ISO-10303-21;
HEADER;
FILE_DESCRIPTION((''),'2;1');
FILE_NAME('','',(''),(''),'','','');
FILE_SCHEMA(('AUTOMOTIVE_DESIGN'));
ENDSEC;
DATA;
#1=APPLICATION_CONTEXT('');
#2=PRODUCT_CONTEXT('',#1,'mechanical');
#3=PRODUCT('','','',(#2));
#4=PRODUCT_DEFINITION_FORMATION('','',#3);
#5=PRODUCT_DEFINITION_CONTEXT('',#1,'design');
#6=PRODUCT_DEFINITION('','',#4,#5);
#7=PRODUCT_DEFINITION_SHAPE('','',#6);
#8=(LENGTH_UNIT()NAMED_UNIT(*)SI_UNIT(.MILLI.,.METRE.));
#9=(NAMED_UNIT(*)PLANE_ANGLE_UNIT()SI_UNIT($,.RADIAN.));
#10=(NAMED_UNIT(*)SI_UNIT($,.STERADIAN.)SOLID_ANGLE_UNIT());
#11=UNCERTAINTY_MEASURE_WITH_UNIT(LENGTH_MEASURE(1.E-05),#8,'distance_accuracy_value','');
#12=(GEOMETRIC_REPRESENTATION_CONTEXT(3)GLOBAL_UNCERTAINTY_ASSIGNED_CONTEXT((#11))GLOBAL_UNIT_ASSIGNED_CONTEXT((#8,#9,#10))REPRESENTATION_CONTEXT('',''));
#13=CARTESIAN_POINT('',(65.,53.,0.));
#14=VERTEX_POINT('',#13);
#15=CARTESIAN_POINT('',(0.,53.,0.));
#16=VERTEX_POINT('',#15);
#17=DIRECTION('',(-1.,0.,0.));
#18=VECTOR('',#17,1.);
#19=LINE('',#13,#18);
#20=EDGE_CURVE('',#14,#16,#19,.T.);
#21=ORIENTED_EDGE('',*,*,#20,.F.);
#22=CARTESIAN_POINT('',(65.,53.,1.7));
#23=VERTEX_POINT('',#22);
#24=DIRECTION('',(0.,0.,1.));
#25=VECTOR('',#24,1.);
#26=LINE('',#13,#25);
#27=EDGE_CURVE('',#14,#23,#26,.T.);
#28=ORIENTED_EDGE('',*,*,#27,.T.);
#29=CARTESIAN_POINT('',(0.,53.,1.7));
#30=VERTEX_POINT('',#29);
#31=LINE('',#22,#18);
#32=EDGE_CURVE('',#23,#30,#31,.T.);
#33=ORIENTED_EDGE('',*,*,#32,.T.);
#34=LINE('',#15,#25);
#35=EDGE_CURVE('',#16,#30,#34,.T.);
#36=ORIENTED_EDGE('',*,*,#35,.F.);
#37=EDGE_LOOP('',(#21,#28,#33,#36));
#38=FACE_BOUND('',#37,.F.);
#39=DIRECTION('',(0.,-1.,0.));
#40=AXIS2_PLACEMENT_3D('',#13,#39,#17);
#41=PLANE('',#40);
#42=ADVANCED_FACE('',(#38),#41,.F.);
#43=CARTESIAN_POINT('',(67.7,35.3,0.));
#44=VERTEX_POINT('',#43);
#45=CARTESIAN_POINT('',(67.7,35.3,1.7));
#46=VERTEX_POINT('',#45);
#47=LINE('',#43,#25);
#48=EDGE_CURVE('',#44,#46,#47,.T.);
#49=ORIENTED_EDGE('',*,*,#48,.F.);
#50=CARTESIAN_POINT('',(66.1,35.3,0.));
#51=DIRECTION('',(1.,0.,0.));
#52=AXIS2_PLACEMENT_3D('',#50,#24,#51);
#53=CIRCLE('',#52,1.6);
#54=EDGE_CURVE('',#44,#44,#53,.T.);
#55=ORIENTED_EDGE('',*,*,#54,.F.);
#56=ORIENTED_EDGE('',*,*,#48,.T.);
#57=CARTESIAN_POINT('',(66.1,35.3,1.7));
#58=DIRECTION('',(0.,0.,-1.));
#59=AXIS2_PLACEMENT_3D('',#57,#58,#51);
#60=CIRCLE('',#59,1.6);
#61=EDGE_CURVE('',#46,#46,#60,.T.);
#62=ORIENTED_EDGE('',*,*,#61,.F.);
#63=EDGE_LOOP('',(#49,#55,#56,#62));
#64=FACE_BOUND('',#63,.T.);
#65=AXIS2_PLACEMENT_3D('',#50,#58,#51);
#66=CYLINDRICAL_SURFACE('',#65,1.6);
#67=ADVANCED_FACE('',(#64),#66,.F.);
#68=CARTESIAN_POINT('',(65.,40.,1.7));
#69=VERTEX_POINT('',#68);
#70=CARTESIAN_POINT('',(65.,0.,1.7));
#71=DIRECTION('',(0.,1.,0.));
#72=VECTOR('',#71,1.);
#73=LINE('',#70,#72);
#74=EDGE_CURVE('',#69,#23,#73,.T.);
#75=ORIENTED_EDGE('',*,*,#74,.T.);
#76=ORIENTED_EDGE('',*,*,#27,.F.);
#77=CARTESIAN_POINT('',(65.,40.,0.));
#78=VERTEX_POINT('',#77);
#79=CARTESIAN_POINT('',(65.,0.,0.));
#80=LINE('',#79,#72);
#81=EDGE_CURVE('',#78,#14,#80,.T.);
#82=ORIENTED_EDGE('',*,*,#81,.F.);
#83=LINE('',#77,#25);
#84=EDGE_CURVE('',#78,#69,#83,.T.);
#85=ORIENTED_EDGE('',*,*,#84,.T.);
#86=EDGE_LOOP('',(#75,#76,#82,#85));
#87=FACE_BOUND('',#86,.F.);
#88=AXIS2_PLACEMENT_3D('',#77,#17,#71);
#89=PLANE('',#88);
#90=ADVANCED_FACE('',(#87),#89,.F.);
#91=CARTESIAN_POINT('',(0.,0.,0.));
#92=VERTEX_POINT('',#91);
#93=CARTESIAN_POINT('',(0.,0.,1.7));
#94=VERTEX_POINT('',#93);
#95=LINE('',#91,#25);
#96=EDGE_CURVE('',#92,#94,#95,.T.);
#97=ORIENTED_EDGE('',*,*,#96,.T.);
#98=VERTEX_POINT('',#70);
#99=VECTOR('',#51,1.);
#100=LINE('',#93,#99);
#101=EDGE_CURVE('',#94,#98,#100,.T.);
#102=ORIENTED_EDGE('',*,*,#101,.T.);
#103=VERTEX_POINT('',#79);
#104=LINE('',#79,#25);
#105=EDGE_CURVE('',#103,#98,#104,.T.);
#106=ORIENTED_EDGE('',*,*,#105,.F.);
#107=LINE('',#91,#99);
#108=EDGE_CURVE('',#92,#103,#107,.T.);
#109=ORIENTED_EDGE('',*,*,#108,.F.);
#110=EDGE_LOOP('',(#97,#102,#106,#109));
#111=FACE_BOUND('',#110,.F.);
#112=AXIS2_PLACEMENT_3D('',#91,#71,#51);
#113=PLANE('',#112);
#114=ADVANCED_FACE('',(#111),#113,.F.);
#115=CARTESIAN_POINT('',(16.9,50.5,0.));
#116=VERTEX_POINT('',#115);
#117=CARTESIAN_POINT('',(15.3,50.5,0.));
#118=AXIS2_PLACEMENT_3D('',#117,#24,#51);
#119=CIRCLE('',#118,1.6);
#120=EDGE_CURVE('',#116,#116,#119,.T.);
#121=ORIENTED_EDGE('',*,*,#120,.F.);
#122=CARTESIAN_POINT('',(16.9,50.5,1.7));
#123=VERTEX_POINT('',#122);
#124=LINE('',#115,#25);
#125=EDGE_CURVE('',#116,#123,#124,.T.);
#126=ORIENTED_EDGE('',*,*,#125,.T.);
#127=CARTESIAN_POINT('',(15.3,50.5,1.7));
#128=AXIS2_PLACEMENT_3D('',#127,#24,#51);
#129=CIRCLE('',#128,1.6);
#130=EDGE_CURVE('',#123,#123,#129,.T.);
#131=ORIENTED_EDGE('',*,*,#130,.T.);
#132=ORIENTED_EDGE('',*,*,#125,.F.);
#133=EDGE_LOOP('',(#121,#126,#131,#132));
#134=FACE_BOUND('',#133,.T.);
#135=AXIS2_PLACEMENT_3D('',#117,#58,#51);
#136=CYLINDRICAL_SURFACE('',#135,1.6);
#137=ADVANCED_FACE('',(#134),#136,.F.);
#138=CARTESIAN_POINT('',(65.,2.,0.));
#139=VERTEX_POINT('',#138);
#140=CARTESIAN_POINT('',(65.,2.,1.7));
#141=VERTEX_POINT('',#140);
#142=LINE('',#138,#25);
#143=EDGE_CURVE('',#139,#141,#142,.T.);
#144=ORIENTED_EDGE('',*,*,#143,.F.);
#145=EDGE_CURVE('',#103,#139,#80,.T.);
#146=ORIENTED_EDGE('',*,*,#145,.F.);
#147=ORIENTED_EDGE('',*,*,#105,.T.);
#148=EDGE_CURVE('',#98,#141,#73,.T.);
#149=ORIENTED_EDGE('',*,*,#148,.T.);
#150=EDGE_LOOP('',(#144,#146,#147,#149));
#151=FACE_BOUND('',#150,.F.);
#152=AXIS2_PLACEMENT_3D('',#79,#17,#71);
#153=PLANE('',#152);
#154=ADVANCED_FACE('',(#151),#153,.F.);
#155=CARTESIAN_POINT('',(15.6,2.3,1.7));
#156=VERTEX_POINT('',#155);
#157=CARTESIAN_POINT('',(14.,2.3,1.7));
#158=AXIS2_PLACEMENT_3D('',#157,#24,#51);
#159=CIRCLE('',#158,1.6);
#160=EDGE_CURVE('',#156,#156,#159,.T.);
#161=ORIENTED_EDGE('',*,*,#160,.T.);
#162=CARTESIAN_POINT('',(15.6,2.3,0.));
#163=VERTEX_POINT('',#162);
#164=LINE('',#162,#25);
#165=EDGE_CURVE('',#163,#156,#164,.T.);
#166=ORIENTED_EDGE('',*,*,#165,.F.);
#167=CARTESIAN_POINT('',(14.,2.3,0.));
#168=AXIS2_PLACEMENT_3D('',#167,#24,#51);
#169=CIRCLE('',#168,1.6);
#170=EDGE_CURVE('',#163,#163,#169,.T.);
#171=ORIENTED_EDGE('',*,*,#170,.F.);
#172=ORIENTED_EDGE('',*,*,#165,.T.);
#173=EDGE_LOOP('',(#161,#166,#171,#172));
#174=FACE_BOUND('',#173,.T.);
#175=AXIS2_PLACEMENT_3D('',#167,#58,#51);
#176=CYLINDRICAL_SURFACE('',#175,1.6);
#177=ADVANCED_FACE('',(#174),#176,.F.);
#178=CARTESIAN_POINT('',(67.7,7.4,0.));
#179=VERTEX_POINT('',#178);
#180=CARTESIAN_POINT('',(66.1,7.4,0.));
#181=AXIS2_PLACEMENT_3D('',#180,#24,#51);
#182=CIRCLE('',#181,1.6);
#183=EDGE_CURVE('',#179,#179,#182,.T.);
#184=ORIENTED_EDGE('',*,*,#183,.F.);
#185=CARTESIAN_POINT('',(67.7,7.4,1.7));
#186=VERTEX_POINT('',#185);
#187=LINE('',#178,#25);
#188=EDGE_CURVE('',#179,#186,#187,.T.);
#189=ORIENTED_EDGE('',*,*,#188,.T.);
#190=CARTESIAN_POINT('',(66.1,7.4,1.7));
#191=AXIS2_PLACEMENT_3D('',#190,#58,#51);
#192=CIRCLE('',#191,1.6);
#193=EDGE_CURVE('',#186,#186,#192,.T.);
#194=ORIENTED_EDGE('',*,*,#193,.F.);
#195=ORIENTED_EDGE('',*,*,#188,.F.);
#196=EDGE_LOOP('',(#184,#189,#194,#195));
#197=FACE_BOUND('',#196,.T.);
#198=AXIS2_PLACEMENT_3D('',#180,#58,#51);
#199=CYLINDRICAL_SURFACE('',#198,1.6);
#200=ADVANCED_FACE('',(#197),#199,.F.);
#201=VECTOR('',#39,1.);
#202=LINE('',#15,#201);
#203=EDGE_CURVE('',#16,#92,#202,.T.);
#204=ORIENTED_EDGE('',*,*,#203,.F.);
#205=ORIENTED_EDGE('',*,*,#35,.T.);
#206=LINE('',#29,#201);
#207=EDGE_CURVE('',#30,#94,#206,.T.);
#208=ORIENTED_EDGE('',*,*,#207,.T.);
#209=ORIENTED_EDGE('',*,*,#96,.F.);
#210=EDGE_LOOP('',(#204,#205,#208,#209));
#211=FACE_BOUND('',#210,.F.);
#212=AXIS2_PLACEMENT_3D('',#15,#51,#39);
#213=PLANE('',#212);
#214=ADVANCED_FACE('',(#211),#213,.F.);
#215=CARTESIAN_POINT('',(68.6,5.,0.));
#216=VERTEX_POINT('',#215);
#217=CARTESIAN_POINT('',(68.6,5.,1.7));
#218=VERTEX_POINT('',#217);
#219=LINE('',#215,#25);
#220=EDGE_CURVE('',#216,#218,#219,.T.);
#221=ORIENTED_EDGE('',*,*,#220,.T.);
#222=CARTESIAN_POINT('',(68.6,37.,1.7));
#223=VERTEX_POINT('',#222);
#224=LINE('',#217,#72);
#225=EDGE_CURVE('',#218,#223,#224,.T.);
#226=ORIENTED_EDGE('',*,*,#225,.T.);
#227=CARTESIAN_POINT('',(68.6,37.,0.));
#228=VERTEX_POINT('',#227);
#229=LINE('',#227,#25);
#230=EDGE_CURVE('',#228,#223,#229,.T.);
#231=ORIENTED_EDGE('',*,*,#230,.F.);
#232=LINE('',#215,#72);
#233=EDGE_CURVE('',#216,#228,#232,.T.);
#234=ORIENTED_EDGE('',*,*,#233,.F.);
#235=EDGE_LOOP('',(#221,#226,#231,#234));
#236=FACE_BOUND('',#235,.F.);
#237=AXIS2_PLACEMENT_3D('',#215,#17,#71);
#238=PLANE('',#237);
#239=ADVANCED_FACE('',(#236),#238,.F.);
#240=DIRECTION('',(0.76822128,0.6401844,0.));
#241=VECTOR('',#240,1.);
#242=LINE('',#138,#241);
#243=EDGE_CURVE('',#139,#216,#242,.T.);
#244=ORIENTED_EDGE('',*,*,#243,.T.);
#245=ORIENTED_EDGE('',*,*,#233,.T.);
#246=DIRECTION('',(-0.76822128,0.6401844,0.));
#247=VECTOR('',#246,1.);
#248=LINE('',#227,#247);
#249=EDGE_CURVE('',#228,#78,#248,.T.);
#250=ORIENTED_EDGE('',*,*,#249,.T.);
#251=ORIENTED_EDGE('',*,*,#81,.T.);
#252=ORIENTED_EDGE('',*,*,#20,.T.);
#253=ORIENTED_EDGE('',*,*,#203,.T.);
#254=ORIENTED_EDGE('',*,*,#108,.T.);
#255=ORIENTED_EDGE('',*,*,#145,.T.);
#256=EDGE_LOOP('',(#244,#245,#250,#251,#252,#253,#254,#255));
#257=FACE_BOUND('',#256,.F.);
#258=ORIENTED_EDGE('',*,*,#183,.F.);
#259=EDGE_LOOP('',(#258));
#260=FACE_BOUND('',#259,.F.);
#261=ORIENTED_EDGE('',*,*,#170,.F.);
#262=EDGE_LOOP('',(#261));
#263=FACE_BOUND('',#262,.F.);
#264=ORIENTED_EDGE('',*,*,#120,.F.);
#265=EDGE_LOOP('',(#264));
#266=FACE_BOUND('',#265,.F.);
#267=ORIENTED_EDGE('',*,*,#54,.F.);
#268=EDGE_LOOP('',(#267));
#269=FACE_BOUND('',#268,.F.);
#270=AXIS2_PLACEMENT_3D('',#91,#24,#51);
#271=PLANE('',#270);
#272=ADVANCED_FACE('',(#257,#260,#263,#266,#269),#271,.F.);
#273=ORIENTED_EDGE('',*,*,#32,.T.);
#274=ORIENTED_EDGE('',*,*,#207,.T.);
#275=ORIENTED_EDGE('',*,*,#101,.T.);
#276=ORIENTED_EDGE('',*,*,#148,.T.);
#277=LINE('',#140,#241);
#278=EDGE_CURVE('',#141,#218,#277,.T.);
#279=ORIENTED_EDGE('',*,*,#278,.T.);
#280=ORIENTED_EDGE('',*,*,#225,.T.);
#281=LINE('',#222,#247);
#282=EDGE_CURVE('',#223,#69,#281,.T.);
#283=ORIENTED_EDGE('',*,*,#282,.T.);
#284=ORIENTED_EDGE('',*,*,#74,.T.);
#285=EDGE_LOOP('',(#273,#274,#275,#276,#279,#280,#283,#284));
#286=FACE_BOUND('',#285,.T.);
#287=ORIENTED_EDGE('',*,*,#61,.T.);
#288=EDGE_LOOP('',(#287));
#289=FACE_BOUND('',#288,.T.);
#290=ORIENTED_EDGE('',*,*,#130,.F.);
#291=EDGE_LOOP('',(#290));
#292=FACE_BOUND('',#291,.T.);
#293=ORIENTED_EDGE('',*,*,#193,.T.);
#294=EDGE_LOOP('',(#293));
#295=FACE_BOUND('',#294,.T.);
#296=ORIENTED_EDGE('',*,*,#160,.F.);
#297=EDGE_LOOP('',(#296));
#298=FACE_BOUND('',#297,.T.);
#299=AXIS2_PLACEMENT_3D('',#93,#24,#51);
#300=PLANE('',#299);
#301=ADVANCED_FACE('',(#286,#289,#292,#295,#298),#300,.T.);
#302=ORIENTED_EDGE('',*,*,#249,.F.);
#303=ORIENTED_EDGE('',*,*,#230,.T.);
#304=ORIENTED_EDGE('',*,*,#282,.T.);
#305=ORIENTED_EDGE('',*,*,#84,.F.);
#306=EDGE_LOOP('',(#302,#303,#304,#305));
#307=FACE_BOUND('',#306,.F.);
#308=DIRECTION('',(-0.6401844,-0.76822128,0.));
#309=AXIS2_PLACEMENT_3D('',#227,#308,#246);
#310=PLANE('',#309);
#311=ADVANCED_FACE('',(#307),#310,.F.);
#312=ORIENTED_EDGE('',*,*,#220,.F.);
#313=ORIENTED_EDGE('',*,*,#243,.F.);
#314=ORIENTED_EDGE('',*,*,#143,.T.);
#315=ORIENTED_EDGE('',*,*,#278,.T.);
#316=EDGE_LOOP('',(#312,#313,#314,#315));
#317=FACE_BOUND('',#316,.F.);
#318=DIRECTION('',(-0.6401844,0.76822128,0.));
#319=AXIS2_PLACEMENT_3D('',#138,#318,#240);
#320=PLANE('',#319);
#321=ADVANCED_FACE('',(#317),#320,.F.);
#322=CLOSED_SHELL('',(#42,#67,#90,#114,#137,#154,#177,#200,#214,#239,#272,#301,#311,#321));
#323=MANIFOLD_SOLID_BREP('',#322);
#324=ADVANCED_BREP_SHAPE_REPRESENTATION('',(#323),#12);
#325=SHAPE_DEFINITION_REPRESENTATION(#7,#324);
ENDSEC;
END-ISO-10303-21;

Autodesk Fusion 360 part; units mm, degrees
sketch "Sketch1" plane through (0, 0, 0) normal (0, 0, 1) x (1, 0, 0)
  line L0 (0, 0) -> (65, 0)
  line L1 (65, 0) -> (65, 53)
  line L2 (65, 53) -> (0, 53)
  line L3 (0, 53) -> (0, 0)
  line L4 (65, 2) -> (68.6, 5)
  line L5 (68.6, 5) -> (68.6, 37)
  line L6 (68.6, 37) -> (65, 40)
  circle A0 centre (14, 2.3) radius 1.6
  circle A1 centre (15.3, 50.5) radius 1.6
  circle A2 centre (66.1, 35.3) radius 1.6
  circle A3 centre (66.1, 7.4) radius 1.6
  dimension "d1" = 65
  dimension "d2" = 53
  dimension "d3" = 68.6
  dimension "d4" = 37
  dimension "d5" = 40
  dimension "d6" = 2
  dimension "d7" = 5
  dimension "d8" = 3.2
  dimension "d9" = 15.3
  dimension "d10" = 50.5
  dimension "d11" = 7.4
  dimension "d12" = 35.3
  dimension "d13" = 66.1
  dimension "d14" = 2.3
  dimension "d17" = 14
extrude "Extrude1" add sketch "Sketch1" along normal blind 1.7 contours L0 L1 L2 L3 A2 A3 | L1 L4 L5 L6 A2 A3
